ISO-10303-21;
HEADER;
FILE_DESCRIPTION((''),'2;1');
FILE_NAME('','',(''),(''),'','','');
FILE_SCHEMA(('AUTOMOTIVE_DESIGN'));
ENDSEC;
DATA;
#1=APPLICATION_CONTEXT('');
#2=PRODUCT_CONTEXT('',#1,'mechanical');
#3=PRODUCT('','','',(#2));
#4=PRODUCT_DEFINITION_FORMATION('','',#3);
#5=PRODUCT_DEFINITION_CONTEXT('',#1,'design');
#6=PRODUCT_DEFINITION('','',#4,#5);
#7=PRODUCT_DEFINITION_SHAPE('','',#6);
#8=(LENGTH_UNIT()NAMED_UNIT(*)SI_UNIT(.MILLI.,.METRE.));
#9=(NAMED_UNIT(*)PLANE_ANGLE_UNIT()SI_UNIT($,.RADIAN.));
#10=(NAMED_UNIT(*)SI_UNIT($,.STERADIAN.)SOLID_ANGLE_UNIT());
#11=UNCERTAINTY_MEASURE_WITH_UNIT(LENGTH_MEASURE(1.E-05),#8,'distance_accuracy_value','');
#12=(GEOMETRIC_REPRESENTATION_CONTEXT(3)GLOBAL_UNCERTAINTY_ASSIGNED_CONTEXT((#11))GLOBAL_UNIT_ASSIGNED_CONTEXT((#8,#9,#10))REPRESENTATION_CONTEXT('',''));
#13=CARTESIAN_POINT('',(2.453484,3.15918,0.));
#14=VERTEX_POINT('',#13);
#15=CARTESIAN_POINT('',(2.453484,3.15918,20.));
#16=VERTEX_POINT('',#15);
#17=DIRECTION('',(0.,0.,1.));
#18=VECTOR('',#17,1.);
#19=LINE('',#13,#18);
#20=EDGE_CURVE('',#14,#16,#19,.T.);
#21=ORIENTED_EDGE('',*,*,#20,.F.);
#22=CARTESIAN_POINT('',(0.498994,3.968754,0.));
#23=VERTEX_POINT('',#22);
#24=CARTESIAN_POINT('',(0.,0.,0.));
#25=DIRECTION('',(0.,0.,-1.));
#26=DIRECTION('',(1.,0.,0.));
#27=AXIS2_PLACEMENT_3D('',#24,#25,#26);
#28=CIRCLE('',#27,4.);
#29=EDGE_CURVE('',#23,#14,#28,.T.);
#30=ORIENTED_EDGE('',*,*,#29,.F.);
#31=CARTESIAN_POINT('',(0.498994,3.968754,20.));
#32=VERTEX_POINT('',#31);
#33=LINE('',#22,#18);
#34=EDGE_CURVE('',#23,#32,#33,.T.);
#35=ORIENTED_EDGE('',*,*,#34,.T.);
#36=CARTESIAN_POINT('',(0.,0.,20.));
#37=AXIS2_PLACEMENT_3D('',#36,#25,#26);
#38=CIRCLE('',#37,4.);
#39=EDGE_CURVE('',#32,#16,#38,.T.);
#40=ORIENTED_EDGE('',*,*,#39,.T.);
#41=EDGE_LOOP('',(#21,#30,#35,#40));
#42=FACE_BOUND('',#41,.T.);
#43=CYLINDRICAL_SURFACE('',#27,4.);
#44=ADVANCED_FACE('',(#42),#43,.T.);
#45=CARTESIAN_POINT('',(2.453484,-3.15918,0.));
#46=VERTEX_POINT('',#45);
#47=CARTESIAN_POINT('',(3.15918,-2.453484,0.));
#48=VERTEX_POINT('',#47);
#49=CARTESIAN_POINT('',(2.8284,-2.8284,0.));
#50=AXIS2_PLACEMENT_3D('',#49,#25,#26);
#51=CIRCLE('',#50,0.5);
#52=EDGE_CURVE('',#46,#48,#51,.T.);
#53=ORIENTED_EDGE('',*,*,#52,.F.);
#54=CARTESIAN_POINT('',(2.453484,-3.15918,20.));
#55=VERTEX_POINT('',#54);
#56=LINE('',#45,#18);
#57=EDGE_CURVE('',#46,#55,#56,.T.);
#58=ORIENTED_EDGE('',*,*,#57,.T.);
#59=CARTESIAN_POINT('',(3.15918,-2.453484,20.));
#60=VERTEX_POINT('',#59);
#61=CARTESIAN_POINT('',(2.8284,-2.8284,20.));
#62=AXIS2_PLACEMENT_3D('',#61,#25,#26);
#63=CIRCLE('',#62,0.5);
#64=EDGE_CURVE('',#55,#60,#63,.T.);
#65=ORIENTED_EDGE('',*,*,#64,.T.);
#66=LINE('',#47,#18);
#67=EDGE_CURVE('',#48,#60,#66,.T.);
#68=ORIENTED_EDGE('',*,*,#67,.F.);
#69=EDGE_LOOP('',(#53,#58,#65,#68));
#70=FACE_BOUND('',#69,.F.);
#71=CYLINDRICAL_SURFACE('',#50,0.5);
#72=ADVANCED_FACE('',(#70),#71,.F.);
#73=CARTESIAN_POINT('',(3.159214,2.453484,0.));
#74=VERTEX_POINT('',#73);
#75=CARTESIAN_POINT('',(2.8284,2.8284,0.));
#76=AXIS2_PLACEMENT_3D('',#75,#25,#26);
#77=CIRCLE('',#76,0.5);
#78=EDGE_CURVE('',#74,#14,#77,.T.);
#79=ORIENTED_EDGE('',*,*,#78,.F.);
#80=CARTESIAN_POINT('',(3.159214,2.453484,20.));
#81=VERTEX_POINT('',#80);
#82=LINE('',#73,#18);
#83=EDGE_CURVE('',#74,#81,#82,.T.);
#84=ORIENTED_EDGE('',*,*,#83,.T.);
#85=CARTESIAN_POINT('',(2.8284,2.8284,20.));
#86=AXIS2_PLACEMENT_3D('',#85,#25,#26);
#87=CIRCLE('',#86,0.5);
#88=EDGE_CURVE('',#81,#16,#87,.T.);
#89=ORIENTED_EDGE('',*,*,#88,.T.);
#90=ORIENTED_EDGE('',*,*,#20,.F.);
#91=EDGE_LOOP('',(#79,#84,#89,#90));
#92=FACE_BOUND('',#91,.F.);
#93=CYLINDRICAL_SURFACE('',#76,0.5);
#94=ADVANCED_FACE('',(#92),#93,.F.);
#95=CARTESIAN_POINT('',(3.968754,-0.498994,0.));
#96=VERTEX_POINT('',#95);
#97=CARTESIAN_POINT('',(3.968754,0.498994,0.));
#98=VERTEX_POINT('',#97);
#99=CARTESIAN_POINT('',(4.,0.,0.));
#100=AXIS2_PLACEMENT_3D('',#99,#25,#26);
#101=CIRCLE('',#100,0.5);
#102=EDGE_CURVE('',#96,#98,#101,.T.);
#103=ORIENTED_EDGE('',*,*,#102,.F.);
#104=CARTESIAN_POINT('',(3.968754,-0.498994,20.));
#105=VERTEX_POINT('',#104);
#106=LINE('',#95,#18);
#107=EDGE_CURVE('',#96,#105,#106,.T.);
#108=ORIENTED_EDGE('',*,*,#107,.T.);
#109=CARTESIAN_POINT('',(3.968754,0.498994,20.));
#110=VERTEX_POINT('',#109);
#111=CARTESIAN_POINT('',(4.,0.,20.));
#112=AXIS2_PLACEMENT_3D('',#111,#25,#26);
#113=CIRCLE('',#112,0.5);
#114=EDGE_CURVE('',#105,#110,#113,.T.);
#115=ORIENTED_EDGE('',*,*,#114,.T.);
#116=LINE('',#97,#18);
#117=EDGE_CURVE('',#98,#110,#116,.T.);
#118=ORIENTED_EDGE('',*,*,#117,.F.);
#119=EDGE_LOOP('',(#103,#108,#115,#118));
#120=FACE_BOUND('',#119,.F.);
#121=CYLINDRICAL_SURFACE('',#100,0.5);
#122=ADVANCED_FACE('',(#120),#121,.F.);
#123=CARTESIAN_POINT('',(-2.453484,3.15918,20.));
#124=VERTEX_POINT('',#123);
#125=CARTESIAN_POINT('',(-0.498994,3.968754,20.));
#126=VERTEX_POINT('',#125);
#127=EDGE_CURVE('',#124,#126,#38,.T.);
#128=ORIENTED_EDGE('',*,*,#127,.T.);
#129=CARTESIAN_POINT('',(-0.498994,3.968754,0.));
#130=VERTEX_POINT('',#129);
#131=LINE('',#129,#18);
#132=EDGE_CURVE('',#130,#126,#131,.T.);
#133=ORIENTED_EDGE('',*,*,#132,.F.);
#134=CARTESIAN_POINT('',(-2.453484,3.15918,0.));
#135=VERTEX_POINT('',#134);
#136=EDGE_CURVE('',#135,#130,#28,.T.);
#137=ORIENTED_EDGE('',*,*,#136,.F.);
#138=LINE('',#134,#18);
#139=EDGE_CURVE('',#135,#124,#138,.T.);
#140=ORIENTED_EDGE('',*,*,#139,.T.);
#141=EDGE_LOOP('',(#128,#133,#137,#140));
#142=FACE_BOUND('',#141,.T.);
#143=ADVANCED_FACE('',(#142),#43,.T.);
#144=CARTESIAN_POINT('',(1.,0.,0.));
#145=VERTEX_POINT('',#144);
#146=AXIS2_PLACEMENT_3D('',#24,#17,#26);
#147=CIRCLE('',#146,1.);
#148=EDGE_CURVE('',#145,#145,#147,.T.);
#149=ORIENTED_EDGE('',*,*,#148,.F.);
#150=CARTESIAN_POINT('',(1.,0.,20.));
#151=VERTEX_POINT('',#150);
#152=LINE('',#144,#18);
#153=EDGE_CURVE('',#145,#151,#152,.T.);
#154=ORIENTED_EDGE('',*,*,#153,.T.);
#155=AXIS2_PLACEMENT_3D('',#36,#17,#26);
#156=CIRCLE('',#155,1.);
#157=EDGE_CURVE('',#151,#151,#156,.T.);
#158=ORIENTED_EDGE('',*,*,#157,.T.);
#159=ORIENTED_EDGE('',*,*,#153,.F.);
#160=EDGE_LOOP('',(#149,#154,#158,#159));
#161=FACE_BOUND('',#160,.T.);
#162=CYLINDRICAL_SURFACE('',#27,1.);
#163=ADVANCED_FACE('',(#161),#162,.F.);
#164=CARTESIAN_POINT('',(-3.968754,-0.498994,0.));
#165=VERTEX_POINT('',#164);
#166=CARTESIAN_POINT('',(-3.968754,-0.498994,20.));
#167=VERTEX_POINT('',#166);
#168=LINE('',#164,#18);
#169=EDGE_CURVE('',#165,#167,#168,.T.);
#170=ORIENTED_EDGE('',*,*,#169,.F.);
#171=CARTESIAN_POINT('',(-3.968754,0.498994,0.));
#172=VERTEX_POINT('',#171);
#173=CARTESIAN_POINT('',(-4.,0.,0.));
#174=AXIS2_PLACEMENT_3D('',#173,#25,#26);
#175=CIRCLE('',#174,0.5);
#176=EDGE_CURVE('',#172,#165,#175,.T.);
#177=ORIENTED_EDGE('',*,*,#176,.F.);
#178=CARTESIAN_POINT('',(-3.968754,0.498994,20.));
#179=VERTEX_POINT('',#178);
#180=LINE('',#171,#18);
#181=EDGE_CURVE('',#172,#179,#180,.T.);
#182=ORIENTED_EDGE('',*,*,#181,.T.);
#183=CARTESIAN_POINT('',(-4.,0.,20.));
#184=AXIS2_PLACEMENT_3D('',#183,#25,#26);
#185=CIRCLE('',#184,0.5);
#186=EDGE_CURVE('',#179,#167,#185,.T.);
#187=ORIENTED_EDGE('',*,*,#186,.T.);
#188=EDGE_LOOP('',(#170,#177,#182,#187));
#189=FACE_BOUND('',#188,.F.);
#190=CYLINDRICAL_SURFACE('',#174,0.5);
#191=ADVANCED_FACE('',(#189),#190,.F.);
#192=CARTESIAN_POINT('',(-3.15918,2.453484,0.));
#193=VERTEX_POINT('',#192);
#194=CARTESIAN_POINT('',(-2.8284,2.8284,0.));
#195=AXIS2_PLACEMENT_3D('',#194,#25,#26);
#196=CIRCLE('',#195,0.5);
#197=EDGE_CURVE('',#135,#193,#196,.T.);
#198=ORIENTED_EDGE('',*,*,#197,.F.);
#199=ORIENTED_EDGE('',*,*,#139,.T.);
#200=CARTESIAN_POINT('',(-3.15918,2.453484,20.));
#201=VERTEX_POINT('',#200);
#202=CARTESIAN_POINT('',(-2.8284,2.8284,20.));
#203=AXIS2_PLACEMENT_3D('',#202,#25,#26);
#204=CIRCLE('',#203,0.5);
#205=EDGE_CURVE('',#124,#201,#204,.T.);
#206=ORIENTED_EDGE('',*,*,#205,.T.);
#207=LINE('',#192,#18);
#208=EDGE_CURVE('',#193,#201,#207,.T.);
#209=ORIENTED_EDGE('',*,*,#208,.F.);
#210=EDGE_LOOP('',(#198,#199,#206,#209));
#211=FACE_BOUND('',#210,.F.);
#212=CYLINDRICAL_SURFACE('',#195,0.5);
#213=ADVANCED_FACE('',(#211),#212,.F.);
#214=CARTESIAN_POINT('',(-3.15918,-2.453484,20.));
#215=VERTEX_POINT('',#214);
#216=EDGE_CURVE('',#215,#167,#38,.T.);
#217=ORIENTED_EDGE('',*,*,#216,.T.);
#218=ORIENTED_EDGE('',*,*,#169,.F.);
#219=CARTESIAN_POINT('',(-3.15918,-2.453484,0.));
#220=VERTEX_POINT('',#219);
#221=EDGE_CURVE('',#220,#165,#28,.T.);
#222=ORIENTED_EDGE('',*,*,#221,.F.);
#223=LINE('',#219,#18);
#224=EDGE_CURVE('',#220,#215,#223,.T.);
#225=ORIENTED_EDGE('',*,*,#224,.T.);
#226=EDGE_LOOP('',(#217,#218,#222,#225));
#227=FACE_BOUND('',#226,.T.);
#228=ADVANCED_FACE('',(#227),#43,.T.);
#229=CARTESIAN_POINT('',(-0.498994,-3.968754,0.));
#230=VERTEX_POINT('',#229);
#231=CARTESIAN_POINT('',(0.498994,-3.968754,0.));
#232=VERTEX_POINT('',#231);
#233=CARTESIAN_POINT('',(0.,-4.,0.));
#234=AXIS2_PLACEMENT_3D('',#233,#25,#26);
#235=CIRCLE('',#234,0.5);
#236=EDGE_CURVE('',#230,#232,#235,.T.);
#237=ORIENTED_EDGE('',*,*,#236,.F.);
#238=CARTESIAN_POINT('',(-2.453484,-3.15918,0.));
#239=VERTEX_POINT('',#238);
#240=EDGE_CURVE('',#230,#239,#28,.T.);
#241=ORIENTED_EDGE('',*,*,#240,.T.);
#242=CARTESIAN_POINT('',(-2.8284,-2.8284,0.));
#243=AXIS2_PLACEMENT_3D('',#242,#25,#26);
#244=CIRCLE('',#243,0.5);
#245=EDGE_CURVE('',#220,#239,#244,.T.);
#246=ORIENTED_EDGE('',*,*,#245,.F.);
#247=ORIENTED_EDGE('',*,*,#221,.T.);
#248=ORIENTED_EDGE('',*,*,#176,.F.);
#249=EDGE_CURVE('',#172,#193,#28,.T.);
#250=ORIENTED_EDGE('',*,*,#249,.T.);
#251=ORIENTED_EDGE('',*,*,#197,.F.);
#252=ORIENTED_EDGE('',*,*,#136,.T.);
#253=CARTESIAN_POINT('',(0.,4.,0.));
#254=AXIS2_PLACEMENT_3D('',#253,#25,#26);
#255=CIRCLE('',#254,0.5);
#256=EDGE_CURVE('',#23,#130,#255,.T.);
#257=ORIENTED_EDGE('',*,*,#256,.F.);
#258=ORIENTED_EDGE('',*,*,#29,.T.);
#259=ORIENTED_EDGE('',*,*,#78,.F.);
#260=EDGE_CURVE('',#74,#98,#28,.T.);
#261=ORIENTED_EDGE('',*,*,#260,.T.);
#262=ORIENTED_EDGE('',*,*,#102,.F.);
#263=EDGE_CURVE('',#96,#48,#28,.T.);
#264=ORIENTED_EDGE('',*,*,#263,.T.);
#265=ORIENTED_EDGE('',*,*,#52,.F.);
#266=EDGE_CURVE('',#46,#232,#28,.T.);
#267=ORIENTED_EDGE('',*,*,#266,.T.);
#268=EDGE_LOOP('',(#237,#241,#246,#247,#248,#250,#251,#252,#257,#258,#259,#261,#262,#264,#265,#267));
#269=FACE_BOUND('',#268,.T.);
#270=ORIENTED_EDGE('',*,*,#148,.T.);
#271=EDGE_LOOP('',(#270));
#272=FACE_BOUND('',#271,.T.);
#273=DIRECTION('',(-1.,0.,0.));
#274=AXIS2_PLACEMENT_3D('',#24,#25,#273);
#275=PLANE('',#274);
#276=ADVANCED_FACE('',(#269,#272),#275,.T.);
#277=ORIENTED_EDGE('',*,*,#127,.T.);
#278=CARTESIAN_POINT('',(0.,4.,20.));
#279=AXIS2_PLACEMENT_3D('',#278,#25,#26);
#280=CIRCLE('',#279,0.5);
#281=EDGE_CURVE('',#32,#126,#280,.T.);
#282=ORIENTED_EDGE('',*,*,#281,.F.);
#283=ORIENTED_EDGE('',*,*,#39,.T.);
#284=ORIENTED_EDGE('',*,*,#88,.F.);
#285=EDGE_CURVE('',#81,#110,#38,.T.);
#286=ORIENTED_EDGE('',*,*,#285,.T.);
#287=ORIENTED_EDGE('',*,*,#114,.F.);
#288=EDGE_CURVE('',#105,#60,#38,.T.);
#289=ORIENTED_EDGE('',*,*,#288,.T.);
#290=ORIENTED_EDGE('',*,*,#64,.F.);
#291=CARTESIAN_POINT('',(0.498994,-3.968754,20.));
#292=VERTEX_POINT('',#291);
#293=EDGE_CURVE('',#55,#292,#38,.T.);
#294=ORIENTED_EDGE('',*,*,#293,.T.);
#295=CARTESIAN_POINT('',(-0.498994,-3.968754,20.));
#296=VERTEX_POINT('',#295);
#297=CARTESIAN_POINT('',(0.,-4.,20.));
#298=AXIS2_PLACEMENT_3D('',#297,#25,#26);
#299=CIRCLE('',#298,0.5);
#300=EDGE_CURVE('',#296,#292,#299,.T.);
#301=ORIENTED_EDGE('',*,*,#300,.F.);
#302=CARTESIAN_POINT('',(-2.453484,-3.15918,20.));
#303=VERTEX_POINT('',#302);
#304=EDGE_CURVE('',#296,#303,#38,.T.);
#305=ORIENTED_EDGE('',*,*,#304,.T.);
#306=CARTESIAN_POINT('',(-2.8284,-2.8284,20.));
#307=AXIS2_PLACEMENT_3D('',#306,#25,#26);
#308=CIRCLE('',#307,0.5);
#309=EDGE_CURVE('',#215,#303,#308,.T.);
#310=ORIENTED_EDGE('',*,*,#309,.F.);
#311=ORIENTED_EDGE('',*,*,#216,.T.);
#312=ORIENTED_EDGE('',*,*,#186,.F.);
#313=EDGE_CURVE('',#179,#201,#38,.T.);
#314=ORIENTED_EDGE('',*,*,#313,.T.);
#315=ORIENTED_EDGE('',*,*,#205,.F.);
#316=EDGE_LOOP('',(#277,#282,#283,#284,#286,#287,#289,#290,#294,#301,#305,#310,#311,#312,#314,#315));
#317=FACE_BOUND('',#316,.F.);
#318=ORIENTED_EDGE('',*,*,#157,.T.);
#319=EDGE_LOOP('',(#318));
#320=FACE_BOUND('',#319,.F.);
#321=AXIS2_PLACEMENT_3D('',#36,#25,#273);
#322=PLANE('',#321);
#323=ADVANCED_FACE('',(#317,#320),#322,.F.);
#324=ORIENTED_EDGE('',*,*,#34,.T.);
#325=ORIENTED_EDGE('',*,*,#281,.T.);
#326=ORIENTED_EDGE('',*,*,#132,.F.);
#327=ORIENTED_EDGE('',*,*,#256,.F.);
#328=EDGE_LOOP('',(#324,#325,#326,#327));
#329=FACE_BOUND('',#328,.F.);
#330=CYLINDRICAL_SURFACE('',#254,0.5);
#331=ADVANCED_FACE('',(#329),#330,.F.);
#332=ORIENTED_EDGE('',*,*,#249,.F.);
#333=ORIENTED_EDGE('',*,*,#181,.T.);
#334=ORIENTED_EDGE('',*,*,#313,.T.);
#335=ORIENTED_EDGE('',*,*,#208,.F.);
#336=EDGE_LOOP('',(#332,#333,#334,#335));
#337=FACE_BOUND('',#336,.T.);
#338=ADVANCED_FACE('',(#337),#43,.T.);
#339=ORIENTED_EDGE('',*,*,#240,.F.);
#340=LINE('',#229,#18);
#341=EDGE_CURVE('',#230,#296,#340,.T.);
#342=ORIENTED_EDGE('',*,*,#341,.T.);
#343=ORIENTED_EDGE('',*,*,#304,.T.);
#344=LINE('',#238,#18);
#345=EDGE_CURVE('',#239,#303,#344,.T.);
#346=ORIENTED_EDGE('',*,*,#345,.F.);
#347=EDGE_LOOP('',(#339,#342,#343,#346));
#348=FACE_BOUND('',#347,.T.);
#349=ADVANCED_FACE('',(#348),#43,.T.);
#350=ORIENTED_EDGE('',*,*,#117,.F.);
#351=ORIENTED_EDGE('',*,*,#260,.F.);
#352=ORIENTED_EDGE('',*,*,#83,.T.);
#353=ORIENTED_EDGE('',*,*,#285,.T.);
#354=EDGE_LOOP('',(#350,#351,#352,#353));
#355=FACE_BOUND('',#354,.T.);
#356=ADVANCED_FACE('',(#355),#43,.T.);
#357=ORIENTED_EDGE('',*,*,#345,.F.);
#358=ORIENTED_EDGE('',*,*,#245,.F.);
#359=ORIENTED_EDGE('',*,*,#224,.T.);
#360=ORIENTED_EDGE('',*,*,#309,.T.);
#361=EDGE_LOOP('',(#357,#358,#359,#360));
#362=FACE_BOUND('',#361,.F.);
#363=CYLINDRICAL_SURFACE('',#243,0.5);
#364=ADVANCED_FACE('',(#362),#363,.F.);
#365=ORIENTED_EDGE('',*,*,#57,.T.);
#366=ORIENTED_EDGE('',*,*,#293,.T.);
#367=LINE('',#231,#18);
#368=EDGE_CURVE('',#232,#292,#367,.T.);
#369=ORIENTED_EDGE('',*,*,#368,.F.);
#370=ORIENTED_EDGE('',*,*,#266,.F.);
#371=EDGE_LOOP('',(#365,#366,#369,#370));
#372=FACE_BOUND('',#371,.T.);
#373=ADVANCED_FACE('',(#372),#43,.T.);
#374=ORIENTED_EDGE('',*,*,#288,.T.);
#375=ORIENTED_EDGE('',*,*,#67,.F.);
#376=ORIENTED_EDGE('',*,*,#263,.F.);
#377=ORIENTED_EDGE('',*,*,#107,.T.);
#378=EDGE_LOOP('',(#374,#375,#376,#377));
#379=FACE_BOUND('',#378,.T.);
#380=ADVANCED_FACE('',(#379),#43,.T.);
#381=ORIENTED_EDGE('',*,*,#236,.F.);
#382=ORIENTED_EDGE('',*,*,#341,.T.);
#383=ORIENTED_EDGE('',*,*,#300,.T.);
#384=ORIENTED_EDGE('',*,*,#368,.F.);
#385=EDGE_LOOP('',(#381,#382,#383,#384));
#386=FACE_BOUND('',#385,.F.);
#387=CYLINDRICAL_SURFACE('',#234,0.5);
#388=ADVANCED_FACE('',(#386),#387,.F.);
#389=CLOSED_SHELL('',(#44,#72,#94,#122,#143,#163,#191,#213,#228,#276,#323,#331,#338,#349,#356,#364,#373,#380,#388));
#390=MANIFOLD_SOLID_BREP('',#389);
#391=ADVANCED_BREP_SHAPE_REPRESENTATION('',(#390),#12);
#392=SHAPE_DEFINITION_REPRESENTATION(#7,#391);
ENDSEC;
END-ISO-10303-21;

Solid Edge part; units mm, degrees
sketch "Sketch1" plane through (0, 0, 0) normal (0, 0, 1) x (1, 0, 0)
  arc A0 (3.9688, -0.499) -> (3.1592, -2.4535) centre (0, 0) cw
  arc A1 (2.4535, -3.1592) -> (0.499, -3.9688) centre (0, 0) cw
  arc A2 (-0.499, -3.9688) -> (-2.4535, -3.1592) centre (0, 0) cw
  arc A3 (-3.1592, -2.4535) -> (-3.9688, -0.499) centre (0, 0) cw
  arc A4 (-3.9688, 0.499) -> (-3.1592, 2.4535) centre (0, 0) cw
  arc A5 (-2.4535, 3.1592) -> (-0.499, 3.9688) centre (0, 0) cw
  arc A6 (0.499, 3.9688) -> (2.4535, 3.1592) centre (0, 0) cw
  arc A7 (2.4535, -3.1592) -> (3.1592, -2.4535) centre (2.8284, -2.8284) cw
  arc A8 (-0.499, -3.9688) -> (0.499, -3.9688) centre (0, -4) cw
  arc A9 (-3.1592, -2.4535) -> (-2.4535, -3.1592) centre (-2.8284, -2.8284) cw
  arc A10 (-3.9688, 0.499) -> (-3.9688, -0.499) centre (-4, 0) cw
  arc A11 (-2.4535, 3.1592) -> (-3.1592, 2.4535) centre (-2.8284, 2.8284) cw
  arc A12 (0.499, 3.9688) -> (-0.499, 3.9688) centre (0, 4) cw
  arc A13 (3.1592, 2.4535) -> (2.4535, 3.1592) centre (2.8284, 2.8284) cw
  arc A14 (3.1592, 2.4535) -> (3.9688, 0.499) centre (0, 0) cw
  arc A15 (3.9688, -0.499) -> (3.9688, 0.499) centre (4, 0) cw
  circle A16 centre (0, 0) radius 1
extrude "Protrusion1" add sketch "Sketch1" along normal blind 20
